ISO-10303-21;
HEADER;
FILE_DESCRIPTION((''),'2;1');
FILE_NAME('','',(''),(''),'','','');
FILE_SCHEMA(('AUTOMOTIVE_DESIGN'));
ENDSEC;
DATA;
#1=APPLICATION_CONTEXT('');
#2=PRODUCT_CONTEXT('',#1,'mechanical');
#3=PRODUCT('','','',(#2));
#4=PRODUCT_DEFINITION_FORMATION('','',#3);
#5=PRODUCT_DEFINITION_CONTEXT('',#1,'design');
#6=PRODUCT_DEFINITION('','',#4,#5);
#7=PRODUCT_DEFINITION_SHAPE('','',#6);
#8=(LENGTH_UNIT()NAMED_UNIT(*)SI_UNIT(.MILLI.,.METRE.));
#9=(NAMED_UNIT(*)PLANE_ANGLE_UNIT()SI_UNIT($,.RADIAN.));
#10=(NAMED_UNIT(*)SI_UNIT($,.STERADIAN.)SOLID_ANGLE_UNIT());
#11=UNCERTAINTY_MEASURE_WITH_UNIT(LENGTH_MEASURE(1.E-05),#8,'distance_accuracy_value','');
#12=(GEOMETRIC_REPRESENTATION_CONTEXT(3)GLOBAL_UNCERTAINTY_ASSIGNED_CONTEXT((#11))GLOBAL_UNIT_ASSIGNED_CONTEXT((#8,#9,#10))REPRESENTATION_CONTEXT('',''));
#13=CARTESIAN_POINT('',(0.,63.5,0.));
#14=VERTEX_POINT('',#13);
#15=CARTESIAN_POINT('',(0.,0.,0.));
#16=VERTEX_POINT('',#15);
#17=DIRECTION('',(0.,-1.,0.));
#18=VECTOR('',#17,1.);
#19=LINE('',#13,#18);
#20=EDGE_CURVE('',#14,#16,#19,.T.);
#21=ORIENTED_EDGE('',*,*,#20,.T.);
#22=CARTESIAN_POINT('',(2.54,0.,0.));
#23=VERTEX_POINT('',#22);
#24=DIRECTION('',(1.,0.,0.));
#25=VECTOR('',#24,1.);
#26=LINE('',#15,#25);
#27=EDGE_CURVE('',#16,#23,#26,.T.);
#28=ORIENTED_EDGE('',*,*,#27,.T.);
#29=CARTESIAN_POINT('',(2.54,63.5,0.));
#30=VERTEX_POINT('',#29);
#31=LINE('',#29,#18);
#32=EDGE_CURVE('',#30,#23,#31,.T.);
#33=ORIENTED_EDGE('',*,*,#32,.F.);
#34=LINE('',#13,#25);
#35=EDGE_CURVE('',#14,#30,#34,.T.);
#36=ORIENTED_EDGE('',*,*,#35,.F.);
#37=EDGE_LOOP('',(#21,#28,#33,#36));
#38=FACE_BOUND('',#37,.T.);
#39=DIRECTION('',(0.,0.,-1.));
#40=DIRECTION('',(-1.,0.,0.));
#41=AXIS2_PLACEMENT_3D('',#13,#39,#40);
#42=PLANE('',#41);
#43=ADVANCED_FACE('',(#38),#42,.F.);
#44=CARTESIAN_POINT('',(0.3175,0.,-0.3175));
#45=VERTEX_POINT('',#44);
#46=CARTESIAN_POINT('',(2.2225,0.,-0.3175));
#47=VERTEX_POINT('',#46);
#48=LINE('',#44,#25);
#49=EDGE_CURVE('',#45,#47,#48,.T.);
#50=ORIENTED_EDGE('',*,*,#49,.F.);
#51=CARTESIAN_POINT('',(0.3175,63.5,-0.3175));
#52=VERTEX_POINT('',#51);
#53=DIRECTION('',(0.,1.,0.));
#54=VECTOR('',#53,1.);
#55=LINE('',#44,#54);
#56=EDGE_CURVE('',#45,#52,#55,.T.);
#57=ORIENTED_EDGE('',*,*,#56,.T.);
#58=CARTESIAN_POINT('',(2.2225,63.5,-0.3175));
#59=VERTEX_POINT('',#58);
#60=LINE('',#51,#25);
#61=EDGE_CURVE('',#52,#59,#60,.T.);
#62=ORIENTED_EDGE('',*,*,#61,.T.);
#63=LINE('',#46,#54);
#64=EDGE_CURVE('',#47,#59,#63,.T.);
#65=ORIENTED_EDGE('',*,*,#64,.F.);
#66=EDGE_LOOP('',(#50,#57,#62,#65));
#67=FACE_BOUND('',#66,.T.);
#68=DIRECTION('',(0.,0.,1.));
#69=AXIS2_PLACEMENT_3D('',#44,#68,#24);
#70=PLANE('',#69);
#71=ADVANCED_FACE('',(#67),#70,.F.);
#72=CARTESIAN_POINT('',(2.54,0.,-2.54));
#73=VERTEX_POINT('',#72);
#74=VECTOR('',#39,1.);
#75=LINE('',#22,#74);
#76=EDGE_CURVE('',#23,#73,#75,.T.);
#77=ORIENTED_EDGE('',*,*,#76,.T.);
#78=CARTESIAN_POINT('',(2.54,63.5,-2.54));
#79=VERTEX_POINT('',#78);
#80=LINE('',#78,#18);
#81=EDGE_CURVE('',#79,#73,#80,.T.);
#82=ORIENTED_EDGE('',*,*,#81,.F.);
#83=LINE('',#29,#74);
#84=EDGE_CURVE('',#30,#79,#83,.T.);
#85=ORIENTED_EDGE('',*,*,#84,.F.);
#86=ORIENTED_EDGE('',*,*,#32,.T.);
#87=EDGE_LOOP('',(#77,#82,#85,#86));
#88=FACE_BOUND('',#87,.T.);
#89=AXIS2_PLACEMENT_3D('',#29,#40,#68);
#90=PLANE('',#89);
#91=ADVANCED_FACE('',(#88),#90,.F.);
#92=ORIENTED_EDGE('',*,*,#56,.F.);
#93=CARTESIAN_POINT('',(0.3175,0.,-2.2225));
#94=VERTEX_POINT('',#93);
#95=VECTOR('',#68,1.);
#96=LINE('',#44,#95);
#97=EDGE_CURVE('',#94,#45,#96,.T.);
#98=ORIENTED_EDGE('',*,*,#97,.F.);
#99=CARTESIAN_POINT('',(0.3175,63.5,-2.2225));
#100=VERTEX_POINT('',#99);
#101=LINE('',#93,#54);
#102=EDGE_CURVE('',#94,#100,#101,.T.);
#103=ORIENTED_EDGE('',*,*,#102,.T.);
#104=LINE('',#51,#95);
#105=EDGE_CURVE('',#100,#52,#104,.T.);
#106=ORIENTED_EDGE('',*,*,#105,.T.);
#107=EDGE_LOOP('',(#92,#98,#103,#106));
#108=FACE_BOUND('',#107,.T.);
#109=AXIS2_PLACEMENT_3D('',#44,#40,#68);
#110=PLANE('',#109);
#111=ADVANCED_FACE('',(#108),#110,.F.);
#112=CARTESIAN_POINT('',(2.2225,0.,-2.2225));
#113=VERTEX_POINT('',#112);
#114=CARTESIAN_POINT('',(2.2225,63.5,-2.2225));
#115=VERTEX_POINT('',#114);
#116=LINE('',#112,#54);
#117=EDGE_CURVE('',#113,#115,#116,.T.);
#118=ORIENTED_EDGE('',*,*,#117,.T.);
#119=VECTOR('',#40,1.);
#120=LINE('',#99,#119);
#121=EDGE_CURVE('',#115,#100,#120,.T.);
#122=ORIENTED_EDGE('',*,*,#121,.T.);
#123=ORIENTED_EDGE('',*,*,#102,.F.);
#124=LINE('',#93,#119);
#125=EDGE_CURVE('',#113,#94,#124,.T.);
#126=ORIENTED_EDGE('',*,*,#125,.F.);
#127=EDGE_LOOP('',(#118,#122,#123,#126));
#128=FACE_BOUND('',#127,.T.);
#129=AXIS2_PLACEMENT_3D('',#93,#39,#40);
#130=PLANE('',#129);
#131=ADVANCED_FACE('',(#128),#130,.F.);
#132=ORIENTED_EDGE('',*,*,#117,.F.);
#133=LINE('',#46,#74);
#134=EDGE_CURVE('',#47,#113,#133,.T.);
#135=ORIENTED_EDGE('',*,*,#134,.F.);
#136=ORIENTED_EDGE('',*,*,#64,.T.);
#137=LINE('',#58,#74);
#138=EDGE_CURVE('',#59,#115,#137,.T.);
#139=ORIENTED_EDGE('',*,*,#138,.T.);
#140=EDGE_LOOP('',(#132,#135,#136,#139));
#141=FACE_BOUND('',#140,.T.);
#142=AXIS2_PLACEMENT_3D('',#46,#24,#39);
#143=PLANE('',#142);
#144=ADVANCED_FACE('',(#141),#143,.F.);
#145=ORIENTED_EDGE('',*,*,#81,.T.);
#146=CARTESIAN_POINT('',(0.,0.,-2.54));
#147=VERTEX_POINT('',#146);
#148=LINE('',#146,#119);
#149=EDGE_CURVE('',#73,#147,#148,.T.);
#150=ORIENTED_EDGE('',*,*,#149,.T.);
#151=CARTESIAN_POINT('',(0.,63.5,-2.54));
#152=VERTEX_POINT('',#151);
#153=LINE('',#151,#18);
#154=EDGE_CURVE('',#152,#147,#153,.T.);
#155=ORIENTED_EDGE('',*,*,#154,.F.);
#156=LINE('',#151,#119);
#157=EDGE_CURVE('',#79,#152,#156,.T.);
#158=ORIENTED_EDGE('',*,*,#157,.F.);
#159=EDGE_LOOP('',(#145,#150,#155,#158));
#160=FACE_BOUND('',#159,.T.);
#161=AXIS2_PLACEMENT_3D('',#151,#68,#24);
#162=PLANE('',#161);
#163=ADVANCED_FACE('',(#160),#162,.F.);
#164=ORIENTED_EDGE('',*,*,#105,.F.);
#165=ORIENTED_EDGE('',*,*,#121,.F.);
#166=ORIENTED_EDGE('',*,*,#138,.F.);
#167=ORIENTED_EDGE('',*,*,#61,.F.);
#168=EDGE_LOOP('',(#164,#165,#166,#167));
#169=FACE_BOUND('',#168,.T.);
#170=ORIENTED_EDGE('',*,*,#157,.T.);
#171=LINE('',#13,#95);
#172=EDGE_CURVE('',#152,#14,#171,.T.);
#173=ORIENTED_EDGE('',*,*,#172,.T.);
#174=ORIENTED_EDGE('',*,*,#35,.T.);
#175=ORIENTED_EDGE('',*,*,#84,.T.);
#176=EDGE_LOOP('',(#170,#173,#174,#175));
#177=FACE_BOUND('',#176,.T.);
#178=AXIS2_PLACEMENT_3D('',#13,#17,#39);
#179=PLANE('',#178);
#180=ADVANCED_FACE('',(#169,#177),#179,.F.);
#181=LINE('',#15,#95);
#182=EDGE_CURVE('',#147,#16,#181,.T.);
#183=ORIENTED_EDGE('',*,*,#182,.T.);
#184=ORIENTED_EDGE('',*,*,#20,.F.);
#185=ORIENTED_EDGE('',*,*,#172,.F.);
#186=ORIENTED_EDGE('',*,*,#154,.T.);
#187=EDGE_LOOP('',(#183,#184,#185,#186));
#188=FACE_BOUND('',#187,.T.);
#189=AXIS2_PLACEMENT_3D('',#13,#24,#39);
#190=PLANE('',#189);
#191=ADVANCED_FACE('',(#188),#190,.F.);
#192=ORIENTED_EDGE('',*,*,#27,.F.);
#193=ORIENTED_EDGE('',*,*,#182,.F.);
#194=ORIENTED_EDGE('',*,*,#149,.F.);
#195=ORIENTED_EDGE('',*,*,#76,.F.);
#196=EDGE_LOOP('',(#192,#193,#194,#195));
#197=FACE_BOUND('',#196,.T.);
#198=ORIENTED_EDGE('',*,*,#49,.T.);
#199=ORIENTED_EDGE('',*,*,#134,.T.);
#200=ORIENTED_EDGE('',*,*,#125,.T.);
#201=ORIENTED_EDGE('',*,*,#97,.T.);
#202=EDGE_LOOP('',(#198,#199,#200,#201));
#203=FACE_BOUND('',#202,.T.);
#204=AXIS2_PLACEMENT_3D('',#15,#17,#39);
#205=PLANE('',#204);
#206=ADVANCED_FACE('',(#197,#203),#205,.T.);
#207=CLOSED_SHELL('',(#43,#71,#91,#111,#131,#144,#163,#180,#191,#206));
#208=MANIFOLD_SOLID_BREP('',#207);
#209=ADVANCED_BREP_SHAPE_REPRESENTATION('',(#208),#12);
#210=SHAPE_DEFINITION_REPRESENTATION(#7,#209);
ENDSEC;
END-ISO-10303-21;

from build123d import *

# Parameters (mm, degrees)
SKETCH1_W           = 2.54
SKETCH1_H           = 2.54
BOSS_EXTRUDE1_DEPTH = 63.5
SKETCH2_W           = 1.905
SKETCH2_H           = 1.905
CUT_EXTRUDE1_DEPTH  = 64.60151885


with BuildPart() as part:
    # Sketch1 → Boss-Extrude1 (new body)
    with BuildSketch(Plane(origin=(0, 0, 0), x_dir=(1, 0, 0), z_dir=(0, 1, 0))):
        with Locations((1.27, 1.27)):
            Rectangle(SKETCH1_W, SKETCH1_H)
    extrude(amount=BOSS_EXTRUDE1_DEPTH)

    # Sketch2 → Cut-Extrude1 (cut, through all)
    with BuildSketch(Plane(origin=(0, 63.5, 0), x_dir=(1, 0, 0), z_dir=(0, 1, 0))):
        with Locations((1.27, 1.27)):
            Rectangle(SKETCH2_W, SKETCH2_H)
    extrude(amount=-CUT_EXTRUDE1_DEPTH, mode=Mode.SUBTRACT)


solid = part.part
